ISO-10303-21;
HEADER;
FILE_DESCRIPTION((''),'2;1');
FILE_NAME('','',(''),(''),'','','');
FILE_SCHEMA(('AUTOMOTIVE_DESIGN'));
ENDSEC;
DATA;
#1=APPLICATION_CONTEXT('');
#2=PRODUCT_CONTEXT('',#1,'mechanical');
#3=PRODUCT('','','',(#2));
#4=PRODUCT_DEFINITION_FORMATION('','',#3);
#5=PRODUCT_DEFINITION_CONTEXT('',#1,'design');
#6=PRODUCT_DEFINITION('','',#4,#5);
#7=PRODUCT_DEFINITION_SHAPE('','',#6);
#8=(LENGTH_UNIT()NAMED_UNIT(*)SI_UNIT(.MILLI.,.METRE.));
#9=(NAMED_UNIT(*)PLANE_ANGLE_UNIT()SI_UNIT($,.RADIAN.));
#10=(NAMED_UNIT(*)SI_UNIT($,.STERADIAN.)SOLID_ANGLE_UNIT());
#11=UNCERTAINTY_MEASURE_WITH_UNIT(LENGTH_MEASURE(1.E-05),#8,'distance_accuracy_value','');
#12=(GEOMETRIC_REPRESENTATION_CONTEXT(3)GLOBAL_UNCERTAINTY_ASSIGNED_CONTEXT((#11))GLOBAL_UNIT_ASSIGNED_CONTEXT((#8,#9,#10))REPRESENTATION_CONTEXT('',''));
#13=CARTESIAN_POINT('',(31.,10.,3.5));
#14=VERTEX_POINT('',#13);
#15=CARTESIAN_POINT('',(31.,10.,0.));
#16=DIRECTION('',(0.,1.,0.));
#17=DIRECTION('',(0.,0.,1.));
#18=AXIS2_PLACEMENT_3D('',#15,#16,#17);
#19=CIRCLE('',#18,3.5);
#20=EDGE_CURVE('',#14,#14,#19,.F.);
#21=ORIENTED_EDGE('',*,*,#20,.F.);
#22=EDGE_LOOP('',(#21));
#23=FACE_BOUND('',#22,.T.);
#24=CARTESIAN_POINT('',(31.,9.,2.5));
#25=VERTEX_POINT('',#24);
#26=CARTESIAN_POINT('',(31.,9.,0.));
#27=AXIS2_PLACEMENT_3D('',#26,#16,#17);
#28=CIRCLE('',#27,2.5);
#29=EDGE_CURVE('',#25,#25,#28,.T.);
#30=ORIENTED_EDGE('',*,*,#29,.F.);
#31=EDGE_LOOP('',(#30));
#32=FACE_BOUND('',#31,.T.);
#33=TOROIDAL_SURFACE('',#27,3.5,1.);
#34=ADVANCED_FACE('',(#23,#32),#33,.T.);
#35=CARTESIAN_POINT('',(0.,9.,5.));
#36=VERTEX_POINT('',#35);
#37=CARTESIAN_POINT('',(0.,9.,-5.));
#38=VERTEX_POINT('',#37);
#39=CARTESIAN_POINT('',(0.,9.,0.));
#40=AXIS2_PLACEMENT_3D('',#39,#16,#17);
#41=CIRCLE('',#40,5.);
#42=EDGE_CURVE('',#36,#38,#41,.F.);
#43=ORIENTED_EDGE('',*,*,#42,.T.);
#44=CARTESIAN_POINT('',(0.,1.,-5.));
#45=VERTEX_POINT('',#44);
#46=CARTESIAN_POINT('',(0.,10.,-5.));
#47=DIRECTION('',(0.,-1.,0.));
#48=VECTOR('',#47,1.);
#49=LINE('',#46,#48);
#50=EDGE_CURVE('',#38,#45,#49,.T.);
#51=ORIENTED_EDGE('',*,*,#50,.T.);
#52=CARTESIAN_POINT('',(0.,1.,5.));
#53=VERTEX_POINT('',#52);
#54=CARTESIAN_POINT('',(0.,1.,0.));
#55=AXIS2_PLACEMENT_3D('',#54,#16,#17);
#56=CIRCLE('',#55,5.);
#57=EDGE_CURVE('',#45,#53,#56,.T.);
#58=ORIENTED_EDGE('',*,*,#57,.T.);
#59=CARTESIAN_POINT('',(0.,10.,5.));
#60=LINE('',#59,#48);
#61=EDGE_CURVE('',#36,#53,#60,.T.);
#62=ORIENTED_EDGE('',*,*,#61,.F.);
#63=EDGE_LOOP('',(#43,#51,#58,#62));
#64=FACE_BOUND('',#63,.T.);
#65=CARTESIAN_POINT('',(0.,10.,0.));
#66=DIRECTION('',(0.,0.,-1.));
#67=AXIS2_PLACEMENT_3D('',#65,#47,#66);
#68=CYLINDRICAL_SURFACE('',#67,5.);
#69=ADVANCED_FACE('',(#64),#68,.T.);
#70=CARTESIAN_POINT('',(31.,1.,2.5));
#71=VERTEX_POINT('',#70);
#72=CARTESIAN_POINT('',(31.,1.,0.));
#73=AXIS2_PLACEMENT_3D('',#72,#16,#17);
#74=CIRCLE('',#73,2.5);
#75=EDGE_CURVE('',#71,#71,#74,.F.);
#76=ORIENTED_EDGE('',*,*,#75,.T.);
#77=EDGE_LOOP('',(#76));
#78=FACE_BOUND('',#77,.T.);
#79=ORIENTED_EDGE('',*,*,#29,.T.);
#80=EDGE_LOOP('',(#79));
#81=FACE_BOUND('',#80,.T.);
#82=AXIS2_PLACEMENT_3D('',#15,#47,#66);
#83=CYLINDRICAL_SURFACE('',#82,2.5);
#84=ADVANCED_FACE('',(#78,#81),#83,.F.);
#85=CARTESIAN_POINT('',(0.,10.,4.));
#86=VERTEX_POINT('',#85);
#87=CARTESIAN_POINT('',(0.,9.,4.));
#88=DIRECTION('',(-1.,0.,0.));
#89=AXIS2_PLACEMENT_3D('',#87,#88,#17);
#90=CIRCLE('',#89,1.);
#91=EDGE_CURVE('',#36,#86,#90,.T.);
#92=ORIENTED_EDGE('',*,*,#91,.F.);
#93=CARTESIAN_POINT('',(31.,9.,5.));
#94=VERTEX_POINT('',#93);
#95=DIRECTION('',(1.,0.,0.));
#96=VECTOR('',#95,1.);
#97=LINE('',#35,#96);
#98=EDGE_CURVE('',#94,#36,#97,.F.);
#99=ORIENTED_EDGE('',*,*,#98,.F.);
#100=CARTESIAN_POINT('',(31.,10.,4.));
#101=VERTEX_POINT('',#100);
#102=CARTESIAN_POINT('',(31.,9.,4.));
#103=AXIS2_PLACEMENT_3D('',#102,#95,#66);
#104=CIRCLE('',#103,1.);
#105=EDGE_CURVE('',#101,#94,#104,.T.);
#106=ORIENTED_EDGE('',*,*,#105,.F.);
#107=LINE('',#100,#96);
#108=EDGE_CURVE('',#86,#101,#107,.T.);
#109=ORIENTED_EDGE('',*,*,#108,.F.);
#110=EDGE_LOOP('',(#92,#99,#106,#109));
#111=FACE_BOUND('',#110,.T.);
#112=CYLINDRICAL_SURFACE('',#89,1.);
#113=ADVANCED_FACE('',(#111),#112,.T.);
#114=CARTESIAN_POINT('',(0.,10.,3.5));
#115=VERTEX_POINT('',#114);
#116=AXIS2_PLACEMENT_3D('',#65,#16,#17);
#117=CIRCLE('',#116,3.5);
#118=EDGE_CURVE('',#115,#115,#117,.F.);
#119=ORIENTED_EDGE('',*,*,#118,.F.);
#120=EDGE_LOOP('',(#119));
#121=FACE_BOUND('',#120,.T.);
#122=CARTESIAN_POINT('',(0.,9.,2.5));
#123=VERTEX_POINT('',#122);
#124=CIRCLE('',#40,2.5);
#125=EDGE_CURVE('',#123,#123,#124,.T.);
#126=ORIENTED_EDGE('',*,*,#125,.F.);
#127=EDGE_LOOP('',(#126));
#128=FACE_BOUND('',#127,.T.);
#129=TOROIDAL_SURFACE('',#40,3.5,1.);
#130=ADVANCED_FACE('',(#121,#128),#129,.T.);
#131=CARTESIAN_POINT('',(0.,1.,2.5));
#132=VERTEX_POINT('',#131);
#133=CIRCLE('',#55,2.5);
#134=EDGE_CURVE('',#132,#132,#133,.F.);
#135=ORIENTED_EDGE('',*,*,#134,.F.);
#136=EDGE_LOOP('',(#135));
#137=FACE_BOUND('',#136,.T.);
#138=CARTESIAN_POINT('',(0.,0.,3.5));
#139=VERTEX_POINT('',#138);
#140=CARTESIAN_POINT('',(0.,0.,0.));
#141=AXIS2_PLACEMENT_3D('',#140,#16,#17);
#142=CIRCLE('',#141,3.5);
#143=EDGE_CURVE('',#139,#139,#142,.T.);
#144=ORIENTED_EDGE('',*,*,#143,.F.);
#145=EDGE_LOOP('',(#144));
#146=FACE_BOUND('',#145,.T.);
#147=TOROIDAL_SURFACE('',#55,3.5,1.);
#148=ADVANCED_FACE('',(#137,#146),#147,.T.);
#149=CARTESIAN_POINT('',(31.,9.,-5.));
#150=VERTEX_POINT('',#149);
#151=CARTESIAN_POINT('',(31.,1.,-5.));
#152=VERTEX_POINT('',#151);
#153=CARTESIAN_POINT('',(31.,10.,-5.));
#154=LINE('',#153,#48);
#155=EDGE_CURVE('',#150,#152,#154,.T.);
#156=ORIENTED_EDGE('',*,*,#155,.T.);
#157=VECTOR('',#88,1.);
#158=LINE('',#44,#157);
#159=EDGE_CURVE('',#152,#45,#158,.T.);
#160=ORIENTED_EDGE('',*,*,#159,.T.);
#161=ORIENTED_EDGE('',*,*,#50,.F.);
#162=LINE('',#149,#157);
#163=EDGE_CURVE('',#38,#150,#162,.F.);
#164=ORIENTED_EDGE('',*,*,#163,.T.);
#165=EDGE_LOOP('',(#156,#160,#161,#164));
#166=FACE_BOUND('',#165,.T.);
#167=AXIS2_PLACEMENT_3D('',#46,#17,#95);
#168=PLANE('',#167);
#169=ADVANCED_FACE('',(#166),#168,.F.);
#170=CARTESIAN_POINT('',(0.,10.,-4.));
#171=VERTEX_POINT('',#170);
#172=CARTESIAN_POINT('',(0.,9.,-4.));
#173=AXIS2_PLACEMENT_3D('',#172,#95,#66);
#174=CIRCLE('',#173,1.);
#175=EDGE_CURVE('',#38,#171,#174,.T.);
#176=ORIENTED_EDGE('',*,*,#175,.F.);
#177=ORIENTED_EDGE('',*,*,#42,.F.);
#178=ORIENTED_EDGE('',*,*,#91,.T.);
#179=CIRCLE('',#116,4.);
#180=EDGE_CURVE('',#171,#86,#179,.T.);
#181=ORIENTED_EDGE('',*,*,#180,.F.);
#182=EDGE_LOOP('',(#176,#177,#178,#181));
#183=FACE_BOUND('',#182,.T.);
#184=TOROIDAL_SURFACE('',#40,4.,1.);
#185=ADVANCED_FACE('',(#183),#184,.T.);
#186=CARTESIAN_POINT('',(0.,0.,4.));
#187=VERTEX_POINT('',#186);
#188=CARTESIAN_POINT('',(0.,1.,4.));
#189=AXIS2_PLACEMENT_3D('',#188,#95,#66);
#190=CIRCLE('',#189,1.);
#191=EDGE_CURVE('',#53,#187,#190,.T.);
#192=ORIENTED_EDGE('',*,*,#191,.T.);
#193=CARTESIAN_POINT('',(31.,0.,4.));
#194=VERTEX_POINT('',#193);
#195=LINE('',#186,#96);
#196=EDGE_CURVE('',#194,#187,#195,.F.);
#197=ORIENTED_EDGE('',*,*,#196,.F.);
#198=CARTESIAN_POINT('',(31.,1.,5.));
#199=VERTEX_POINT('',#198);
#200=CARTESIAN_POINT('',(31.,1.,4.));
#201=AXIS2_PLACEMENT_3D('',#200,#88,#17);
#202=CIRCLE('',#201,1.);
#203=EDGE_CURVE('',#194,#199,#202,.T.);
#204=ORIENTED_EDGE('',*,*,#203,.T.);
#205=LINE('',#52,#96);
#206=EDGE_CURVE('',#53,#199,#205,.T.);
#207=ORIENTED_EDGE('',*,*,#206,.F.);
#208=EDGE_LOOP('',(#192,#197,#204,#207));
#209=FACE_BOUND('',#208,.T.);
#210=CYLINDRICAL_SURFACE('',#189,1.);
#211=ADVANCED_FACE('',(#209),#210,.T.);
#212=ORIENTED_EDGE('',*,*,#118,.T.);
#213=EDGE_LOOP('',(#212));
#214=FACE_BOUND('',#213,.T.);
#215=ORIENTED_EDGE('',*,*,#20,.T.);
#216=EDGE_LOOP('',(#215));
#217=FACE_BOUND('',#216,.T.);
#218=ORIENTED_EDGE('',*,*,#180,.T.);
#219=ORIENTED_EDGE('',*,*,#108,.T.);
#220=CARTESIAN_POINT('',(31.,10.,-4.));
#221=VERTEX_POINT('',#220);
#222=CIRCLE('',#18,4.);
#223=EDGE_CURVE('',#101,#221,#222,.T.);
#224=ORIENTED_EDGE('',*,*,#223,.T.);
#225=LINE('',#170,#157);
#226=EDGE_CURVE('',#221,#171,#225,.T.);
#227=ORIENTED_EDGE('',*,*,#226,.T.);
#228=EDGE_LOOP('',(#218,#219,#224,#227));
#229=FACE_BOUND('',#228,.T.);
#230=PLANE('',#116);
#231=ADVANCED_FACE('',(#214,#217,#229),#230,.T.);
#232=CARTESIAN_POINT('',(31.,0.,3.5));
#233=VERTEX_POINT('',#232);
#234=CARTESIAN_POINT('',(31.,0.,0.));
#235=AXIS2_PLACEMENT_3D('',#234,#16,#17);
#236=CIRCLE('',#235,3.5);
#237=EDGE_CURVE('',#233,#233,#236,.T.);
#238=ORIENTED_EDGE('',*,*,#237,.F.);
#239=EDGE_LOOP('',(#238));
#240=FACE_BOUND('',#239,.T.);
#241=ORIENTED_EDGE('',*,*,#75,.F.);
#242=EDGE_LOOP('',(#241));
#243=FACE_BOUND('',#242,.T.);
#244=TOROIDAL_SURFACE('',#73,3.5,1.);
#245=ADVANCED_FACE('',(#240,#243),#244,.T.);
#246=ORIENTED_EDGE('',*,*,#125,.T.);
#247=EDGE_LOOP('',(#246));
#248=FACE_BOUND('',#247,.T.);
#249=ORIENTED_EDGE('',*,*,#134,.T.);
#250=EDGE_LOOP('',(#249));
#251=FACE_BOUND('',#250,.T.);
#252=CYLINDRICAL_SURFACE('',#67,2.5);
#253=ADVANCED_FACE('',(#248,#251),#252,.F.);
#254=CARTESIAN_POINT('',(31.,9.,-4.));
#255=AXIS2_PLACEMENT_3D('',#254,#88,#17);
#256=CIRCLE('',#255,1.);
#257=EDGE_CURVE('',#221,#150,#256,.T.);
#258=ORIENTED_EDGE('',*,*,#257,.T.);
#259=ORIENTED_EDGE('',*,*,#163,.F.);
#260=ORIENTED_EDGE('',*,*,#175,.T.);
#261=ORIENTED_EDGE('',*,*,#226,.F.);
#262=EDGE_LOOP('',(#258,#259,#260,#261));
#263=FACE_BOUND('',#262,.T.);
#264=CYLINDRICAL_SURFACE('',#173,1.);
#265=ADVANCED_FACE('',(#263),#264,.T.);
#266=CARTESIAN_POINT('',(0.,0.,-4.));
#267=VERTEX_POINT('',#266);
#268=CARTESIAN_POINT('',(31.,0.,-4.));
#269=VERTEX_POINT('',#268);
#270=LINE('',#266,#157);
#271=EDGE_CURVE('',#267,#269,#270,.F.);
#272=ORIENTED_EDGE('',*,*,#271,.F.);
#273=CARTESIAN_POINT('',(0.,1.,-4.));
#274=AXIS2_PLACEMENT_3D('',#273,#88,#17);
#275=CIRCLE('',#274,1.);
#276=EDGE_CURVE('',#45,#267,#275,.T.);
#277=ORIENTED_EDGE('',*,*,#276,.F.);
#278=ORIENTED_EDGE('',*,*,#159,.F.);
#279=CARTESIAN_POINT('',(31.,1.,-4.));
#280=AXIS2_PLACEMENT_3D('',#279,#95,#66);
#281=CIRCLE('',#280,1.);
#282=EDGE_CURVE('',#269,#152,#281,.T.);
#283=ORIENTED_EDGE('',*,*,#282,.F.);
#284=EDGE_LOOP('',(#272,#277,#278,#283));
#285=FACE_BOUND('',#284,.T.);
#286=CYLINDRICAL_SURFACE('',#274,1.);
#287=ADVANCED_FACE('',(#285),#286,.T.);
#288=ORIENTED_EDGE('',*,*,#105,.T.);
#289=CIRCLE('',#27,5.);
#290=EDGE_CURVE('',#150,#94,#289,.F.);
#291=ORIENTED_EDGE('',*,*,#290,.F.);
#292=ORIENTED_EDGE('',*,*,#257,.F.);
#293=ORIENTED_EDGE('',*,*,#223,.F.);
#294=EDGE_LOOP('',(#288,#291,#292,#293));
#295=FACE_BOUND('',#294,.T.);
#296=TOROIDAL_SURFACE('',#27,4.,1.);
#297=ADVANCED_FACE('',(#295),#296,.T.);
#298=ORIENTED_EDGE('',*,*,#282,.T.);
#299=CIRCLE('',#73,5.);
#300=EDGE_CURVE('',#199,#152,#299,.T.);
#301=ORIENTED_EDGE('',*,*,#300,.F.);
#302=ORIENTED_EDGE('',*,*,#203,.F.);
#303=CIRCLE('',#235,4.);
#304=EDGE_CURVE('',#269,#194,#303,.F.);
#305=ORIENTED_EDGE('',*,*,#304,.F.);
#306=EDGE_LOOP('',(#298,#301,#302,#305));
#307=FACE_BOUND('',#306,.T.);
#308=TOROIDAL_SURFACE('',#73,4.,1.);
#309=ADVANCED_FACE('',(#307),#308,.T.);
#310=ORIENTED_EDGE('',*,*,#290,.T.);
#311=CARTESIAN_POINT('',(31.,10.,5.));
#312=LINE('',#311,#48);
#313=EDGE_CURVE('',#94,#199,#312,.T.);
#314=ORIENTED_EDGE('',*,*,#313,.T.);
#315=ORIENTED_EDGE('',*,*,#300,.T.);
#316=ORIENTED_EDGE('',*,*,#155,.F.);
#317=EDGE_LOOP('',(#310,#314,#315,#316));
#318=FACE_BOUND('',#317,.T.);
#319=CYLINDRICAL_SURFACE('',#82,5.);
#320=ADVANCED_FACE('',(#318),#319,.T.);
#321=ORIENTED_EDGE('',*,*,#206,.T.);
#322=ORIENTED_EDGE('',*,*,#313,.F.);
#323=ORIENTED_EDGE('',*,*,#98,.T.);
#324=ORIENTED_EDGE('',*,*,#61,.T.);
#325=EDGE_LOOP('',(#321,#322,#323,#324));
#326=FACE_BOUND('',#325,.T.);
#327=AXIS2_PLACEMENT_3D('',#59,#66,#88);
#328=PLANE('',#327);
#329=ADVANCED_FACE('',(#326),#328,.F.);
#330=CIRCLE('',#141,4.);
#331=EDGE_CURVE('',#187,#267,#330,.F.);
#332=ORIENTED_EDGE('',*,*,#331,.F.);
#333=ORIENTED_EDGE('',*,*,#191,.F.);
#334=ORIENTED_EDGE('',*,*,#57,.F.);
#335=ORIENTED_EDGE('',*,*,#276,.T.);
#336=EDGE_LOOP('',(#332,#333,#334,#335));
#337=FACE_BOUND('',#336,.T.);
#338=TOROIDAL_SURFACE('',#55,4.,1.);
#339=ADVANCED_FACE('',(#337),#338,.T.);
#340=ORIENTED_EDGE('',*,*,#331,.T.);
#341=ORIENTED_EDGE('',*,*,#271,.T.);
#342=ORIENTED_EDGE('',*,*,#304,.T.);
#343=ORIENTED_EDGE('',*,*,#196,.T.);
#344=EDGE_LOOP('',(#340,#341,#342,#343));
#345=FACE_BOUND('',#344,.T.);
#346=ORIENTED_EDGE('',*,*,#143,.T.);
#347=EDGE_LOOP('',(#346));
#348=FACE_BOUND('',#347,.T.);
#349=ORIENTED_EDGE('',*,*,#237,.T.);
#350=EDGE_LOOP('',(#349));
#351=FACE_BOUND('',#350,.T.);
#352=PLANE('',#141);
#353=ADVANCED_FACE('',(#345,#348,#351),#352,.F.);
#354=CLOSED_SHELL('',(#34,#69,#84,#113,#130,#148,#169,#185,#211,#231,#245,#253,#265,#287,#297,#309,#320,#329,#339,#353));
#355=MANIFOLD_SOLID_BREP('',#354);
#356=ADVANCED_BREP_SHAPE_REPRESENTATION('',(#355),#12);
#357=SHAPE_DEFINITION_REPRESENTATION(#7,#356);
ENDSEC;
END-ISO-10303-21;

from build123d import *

# Parameters (mm, degrees)
SKETCH1_R           = 2.5
BOSS_EXTRUDE1_DEPTH = 10
FILLET1_R           = 1


with BuildPart() as part:
    # Sketch1 → Boss-Extrude1 (new body)
    with BuildSketch(Plane(origin=(0, 0, 0), x_dir=(1, 0, 0), z_dir=(0, 1, 0))):
        with BuildLine():
            Line((0, 5), (31, 5))
            ThreePointArc((31, 5), (36, 0), (31, -5))
            Line((31, -5), (0, -5))
            ThreePointArc((0, -5), (-5, 0), (0, 5))
        make_face()
        Circle(SKETCH1_R, mode=Mode.SUBTRACT)
        with Locations((31, 0)):
            Circle(SKETCH1_R, mode=Mode.SUBTRACT)
    extrude(amount=BOSS_EXTRUDE1_DEPTH)

    # Fillet1
    fillet1_edges = [part.edges().sort_by_distance(p)[0] for p in [
        (-2.5, 0, 0),
        (-2.5, 10, 0),
        (36, 10, 0),
        (28.5, 0, 0),
        (28.5, 10, 0),
        (15.5, 10, -5),
        (-5, 10, 0),
        (15.5, 0, -5),
        (36, 0, 0),
        (15.5, 0, 5),
        (-5, 0, 0),
        (15.5, 10, 5),
    ]]
    fillet(fillet1_edges, radius=FILLET1_R)


solid = part.part
